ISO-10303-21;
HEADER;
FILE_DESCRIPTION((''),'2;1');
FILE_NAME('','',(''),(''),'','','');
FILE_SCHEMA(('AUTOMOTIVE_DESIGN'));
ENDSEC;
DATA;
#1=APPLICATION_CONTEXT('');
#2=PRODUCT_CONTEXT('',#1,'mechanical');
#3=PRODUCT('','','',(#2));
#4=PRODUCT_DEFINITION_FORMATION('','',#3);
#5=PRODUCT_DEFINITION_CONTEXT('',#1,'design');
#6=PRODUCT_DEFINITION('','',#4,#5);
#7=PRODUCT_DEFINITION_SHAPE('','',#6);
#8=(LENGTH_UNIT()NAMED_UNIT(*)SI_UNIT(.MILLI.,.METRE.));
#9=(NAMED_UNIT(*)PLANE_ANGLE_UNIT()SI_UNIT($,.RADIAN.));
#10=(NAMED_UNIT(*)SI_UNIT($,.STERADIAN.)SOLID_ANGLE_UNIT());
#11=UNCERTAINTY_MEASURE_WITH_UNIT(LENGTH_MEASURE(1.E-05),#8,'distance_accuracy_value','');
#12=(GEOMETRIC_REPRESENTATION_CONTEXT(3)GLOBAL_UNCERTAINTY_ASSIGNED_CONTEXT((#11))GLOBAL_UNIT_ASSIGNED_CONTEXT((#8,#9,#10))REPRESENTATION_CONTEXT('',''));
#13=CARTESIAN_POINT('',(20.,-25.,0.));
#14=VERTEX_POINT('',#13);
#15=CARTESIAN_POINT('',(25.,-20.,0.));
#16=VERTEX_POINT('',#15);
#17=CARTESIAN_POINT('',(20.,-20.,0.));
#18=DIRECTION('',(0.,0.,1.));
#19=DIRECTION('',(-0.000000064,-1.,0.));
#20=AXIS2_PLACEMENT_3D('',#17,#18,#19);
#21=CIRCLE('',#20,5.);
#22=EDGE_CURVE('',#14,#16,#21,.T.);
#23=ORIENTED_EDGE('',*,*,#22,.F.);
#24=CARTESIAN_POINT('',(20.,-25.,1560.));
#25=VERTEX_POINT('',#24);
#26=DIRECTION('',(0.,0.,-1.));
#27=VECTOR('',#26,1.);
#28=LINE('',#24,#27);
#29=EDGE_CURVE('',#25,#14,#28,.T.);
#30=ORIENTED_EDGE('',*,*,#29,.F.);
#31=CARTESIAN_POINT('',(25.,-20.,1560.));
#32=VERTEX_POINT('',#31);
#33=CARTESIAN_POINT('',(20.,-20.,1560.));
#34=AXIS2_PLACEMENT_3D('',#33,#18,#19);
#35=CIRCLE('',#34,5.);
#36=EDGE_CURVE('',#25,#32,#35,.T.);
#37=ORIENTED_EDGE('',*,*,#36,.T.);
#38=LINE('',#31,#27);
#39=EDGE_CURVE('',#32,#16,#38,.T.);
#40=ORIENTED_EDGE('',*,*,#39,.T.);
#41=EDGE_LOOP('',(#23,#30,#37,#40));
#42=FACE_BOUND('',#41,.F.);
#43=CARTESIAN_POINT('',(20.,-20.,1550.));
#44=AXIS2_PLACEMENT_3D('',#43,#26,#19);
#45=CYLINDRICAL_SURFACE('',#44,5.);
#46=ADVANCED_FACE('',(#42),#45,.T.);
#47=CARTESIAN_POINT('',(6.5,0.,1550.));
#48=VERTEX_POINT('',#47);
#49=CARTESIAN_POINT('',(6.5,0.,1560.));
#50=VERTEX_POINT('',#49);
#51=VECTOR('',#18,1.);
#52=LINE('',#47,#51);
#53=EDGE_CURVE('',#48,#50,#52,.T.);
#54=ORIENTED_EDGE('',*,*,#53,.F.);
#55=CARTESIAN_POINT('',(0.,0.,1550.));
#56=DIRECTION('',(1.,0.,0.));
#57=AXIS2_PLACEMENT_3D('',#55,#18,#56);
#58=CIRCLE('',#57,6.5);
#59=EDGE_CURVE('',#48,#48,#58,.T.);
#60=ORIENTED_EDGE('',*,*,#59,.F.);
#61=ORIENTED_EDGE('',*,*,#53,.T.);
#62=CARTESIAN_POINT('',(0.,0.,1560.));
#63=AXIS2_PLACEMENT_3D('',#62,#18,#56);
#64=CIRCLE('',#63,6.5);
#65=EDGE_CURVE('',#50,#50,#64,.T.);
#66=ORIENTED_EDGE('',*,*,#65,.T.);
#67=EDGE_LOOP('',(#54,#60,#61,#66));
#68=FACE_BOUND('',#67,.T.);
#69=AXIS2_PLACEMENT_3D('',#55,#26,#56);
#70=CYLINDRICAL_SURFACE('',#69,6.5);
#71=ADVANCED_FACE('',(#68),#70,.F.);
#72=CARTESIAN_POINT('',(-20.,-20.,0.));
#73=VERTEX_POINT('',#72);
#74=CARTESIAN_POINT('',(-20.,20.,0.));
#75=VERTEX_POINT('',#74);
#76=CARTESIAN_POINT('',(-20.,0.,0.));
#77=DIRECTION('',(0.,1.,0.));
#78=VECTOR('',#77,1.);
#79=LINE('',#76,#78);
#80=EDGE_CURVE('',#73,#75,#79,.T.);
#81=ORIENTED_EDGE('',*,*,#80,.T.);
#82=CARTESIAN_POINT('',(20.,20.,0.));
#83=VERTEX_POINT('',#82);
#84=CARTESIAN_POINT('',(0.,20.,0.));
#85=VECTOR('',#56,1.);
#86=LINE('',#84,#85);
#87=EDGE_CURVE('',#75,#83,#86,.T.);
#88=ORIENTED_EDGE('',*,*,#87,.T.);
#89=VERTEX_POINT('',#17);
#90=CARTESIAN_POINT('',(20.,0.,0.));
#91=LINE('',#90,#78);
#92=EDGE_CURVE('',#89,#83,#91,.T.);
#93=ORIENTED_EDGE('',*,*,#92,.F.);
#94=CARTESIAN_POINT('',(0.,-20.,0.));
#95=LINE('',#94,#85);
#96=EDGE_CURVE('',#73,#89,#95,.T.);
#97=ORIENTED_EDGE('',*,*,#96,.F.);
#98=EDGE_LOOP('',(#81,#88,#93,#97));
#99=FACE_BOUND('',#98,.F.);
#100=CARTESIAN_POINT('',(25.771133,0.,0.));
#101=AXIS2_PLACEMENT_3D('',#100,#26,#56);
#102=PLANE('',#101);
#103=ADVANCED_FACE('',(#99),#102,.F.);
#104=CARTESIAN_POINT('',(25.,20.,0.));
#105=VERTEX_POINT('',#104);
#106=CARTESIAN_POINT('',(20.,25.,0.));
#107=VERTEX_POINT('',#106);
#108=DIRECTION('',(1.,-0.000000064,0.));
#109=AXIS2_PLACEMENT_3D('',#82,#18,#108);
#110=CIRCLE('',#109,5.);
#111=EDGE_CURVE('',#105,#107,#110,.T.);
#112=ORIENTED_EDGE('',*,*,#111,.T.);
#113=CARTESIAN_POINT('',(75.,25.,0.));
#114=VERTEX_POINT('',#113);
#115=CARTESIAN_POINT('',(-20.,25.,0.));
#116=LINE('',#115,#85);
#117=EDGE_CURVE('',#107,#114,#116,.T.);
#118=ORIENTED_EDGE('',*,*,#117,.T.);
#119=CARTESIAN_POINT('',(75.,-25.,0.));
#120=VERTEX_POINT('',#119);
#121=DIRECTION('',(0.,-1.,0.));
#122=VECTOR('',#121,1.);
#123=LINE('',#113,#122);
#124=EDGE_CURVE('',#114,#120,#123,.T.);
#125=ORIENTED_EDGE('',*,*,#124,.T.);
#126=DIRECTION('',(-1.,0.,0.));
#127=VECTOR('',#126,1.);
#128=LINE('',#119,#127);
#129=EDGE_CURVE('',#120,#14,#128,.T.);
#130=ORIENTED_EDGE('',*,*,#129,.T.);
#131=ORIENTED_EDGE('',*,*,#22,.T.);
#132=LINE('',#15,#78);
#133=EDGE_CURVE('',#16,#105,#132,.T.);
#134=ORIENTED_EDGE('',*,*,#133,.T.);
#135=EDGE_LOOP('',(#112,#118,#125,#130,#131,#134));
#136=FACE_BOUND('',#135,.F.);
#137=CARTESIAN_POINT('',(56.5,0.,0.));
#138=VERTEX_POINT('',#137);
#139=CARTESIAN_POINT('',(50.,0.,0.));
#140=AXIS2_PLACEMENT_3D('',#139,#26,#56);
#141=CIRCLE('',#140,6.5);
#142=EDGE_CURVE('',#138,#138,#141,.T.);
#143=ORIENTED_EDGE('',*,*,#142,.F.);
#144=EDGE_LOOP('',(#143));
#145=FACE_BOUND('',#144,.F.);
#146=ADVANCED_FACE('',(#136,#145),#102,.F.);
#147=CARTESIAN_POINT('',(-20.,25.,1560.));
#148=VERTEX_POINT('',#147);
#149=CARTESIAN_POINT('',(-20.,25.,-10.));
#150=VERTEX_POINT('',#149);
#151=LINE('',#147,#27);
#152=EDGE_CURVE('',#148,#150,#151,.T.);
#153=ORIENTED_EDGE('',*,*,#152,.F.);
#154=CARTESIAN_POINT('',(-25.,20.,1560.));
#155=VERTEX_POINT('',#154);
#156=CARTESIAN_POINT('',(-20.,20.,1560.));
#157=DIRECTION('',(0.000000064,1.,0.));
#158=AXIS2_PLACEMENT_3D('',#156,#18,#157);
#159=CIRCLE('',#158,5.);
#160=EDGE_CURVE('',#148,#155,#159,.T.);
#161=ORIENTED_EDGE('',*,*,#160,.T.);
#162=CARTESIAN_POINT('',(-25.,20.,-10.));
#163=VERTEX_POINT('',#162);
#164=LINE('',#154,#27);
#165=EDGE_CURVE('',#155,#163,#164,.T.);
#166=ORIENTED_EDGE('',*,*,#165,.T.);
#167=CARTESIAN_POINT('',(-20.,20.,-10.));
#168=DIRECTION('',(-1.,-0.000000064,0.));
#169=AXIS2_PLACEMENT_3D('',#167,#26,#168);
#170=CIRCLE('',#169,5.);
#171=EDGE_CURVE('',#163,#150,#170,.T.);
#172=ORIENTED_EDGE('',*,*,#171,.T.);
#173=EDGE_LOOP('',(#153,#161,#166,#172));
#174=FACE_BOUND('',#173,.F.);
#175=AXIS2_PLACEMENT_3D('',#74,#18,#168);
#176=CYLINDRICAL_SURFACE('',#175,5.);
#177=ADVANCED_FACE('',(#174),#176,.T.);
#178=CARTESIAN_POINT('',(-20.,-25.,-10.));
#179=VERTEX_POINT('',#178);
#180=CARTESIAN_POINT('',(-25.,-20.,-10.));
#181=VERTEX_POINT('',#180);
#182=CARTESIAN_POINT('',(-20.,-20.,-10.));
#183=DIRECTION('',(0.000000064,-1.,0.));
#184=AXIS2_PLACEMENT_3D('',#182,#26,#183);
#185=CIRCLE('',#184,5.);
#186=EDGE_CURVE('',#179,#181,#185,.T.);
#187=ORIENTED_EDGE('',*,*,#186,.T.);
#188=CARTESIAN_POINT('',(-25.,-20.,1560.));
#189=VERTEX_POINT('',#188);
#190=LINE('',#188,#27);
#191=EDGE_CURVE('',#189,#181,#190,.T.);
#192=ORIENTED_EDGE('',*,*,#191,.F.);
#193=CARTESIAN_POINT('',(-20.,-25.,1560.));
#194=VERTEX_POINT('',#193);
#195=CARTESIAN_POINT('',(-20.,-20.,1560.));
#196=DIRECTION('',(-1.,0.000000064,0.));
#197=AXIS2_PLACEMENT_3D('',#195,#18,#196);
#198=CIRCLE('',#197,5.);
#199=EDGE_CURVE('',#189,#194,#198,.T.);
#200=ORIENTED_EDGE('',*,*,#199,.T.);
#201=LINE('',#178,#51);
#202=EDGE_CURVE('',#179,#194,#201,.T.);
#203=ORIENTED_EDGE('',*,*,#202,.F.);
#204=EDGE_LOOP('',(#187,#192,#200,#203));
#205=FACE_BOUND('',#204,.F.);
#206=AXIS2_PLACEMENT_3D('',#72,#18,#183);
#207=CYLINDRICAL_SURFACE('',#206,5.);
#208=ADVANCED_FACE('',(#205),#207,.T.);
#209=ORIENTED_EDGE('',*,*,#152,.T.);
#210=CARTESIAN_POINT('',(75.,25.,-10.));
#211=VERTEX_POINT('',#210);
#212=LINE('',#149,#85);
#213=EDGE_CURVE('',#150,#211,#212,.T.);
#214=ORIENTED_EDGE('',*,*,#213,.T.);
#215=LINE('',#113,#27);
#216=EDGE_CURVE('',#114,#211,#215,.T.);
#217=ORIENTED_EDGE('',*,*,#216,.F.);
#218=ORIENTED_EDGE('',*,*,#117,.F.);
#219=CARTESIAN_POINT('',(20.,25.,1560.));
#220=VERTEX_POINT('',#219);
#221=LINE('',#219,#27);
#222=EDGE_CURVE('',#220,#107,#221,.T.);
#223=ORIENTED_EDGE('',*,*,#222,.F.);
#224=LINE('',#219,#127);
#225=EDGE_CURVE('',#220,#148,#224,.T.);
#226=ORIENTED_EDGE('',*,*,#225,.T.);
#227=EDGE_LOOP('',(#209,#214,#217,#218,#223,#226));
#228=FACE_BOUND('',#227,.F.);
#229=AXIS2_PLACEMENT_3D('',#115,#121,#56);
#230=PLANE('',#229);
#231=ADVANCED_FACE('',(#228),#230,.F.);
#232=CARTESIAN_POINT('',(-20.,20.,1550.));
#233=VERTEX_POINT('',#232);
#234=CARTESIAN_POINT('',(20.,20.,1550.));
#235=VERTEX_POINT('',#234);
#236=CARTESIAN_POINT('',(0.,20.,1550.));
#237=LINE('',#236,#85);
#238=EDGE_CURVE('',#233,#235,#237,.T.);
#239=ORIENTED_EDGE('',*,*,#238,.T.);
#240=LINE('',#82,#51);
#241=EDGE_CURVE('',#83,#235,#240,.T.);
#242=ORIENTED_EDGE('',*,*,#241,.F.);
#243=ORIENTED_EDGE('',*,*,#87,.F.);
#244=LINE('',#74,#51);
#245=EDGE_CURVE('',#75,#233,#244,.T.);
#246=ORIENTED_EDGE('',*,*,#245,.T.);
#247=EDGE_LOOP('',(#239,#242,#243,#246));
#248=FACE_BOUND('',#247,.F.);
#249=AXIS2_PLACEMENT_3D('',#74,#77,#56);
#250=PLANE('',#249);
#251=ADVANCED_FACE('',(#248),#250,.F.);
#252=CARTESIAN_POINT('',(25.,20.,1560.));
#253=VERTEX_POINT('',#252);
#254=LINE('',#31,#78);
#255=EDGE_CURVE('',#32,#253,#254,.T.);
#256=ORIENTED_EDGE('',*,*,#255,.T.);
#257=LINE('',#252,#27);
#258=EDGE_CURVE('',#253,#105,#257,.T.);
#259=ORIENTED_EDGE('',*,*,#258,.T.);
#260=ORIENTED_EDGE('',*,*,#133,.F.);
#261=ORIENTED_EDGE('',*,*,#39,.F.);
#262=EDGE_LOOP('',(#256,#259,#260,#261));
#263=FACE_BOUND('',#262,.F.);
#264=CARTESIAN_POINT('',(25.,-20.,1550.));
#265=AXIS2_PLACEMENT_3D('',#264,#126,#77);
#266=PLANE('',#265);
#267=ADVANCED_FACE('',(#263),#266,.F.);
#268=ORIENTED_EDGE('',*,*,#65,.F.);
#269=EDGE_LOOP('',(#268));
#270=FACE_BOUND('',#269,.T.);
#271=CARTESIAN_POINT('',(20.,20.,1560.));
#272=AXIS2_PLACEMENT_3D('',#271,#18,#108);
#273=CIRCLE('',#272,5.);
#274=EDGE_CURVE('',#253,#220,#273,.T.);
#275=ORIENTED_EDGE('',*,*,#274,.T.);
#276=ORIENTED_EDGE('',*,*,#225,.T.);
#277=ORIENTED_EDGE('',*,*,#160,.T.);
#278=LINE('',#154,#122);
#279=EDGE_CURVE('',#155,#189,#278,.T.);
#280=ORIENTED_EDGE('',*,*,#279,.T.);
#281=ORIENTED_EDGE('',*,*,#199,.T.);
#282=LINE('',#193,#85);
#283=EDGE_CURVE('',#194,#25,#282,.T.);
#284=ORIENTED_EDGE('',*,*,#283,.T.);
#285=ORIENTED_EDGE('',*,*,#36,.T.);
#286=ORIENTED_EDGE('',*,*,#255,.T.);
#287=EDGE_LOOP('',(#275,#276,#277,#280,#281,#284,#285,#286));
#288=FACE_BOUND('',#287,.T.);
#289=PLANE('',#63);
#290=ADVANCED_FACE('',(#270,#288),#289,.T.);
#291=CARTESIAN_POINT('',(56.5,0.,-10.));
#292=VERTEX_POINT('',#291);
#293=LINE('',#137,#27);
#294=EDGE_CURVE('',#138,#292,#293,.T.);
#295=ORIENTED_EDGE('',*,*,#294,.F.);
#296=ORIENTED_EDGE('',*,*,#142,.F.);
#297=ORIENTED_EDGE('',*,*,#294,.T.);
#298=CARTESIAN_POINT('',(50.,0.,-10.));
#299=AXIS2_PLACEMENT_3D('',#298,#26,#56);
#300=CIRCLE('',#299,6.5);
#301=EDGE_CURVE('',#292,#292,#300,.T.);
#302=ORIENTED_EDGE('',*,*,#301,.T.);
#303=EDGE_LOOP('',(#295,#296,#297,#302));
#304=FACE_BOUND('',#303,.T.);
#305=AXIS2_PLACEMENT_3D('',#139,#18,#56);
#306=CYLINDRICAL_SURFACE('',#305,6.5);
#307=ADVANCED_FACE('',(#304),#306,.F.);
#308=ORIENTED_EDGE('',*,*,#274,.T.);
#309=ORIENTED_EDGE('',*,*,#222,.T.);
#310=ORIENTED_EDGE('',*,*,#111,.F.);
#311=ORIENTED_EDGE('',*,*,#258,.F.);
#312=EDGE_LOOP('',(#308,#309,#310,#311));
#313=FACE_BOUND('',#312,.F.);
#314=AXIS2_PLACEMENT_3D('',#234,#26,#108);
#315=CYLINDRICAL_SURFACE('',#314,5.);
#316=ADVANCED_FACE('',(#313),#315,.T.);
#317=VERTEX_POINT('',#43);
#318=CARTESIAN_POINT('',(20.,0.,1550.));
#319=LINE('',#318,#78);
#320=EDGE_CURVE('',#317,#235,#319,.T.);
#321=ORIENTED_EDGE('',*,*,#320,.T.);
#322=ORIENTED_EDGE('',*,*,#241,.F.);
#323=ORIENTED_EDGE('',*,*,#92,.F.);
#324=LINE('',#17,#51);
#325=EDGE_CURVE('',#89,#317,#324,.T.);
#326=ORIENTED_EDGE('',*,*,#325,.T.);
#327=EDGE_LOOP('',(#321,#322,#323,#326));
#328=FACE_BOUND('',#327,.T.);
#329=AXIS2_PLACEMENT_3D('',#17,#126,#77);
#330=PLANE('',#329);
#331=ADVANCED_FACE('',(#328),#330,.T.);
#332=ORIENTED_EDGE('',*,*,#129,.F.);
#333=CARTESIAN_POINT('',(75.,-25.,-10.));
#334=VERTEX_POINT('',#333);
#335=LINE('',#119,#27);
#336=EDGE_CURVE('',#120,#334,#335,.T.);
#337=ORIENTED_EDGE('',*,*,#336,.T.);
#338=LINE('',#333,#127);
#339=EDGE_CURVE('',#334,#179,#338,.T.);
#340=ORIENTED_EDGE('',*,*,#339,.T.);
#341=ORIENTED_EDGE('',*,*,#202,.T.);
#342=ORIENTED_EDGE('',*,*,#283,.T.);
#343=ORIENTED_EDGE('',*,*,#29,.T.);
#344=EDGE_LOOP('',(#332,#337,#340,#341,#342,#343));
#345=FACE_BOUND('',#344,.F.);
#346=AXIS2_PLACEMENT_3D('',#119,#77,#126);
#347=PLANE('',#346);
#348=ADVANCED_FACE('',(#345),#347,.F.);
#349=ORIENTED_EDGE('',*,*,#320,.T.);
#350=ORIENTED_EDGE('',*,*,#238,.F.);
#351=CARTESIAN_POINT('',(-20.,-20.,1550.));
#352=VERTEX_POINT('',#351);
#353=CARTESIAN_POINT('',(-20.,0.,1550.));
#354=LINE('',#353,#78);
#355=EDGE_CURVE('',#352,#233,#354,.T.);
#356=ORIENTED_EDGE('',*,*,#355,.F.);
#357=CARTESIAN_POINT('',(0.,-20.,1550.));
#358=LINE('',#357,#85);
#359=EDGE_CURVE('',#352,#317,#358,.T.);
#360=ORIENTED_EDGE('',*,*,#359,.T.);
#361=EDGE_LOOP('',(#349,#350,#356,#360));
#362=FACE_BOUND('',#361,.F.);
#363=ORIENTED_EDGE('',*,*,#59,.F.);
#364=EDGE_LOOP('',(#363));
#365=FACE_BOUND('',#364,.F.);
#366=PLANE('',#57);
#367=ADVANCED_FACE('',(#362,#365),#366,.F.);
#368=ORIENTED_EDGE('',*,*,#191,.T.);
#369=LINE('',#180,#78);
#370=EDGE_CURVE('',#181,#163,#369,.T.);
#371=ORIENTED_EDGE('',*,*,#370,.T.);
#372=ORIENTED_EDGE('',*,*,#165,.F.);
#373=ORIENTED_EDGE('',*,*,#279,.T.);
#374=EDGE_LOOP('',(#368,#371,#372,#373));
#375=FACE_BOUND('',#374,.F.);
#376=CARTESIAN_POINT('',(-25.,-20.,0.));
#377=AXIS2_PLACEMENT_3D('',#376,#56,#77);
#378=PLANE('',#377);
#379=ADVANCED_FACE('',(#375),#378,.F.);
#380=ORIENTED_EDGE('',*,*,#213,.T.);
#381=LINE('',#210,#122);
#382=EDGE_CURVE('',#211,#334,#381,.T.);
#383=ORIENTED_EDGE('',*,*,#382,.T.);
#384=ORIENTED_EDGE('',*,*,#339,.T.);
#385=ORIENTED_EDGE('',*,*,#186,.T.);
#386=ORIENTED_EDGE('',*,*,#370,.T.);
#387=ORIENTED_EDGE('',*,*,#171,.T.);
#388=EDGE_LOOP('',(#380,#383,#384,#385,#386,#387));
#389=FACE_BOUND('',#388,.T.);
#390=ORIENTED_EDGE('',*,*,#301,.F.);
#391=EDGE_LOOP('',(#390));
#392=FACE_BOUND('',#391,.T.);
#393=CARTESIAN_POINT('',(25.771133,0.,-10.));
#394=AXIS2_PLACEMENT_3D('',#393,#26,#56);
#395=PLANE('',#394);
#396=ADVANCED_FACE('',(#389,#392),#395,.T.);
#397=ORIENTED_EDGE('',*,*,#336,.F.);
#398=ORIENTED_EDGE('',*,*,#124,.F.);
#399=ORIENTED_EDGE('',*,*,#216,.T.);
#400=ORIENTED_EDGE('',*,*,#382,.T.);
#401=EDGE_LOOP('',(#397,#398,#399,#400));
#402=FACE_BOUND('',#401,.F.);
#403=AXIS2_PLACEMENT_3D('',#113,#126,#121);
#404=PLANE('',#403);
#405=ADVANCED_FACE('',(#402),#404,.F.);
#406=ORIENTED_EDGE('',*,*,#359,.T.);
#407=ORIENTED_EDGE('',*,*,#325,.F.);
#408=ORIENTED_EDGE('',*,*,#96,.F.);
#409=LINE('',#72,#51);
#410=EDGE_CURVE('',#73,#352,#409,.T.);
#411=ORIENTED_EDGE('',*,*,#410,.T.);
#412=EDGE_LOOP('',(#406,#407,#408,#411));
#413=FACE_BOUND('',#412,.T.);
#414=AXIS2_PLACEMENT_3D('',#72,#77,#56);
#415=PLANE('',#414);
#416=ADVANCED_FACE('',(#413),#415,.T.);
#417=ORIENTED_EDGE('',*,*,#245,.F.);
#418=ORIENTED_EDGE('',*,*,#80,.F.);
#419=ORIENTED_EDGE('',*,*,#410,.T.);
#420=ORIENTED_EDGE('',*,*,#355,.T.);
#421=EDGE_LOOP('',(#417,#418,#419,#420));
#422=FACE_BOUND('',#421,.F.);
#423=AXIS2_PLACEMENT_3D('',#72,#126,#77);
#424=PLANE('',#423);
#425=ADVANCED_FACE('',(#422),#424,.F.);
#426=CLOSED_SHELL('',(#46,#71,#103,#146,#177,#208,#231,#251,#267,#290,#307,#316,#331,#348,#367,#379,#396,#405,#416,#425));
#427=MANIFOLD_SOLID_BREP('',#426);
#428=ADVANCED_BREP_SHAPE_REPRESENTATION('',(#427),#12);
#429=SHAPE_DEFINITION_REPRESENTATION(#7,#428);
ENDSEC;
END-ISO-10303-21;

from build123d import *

# Parameters (mm, degrees)
F0_W     = 40
F0_H     = 40
F1_DEPTH = 1550
F2_R     = 6.5
F3_DEPTH = 10
F4_R     = 6.5
F5_DEPTH = 10


with BuildPart() as f1:
    # F0 (on Top) → F1 (new body)
    with BuildSketch(Plane.XY):
        with BuildLine():
            Line((-20, -25), (20, -25))
            ThreePointArc((20, -25), (23.535534, -23.535534), (25, -20))
            Line((25, -20), (25, 20))
            ThreePointArc((25, 20), (23.535534, 23.535534), (20, 25))
            Line((20, 25), (-20, 25))
            ThreePointArc((-20, 25), (-23.535534, 23.535534), (-25, 20))
            Line((-25, 20), (-25, -20))
            ThreePointArc((-25, -20), (-23.535534, -23.535534), (-20, -25))
        make_face()
        Rectangle(F0_W, F0_H, mode=Mode.SUBTRACT)
    extrude(amount=F1_DEPTH)

    # F2 (on face) → F3 (join)
    with BuildSketch(Plane.XY.offset(1550)):
        with BuildLine():
            Line((20, 25), (-20, 25))
            ThreePointArc((-20, 25), (-23.535534, 23.535534), (-25, 20))
            Line((-25, 20), (-25, -20))
            ThreePointArc((-25, -20), (-23.535534, -23.535534), (-20, -25))
            Line((-20, -25), (20, -25))
            ThreePointArc((20, -25), (23.535534, -23.535534), (25, -20))
            Line((25, -20), (25, 20))
            ThreePointArc((25, 20), (23.535534, 23.535534), (20, 25))
        make_face()
        Circle(F2_R, mode=Mode.SUBTRACT)
    extrude(amount=F3_DEPTH)

    # F4 (on face) → F5 (join)
    with BuildSketch(Plane(origin=(0, 0, 0), x_dir=(1, 0, 0), z_dir=(0, 0, -1))):
        with BuildLine():
            ThreePointArc((-20, 25), (-23.535534, 23.535534), (-25, 20))
            Line((-25, 20), (-25, -20))
            ThreePointArc((-25, -20), (-23.535534, -23.535534), (-20, -25))
            Line((-20, -25), (75, -25))
            Line((75, -25), (75, 25))
            Line((75, 25), (-20, 25))
        make_face()
        with Locations((50, 0)):
            Circle(F4_R, mode=Mode.SUBTRACT)
    extrude(amount=F5_DEPTH)


solid = f1.part
